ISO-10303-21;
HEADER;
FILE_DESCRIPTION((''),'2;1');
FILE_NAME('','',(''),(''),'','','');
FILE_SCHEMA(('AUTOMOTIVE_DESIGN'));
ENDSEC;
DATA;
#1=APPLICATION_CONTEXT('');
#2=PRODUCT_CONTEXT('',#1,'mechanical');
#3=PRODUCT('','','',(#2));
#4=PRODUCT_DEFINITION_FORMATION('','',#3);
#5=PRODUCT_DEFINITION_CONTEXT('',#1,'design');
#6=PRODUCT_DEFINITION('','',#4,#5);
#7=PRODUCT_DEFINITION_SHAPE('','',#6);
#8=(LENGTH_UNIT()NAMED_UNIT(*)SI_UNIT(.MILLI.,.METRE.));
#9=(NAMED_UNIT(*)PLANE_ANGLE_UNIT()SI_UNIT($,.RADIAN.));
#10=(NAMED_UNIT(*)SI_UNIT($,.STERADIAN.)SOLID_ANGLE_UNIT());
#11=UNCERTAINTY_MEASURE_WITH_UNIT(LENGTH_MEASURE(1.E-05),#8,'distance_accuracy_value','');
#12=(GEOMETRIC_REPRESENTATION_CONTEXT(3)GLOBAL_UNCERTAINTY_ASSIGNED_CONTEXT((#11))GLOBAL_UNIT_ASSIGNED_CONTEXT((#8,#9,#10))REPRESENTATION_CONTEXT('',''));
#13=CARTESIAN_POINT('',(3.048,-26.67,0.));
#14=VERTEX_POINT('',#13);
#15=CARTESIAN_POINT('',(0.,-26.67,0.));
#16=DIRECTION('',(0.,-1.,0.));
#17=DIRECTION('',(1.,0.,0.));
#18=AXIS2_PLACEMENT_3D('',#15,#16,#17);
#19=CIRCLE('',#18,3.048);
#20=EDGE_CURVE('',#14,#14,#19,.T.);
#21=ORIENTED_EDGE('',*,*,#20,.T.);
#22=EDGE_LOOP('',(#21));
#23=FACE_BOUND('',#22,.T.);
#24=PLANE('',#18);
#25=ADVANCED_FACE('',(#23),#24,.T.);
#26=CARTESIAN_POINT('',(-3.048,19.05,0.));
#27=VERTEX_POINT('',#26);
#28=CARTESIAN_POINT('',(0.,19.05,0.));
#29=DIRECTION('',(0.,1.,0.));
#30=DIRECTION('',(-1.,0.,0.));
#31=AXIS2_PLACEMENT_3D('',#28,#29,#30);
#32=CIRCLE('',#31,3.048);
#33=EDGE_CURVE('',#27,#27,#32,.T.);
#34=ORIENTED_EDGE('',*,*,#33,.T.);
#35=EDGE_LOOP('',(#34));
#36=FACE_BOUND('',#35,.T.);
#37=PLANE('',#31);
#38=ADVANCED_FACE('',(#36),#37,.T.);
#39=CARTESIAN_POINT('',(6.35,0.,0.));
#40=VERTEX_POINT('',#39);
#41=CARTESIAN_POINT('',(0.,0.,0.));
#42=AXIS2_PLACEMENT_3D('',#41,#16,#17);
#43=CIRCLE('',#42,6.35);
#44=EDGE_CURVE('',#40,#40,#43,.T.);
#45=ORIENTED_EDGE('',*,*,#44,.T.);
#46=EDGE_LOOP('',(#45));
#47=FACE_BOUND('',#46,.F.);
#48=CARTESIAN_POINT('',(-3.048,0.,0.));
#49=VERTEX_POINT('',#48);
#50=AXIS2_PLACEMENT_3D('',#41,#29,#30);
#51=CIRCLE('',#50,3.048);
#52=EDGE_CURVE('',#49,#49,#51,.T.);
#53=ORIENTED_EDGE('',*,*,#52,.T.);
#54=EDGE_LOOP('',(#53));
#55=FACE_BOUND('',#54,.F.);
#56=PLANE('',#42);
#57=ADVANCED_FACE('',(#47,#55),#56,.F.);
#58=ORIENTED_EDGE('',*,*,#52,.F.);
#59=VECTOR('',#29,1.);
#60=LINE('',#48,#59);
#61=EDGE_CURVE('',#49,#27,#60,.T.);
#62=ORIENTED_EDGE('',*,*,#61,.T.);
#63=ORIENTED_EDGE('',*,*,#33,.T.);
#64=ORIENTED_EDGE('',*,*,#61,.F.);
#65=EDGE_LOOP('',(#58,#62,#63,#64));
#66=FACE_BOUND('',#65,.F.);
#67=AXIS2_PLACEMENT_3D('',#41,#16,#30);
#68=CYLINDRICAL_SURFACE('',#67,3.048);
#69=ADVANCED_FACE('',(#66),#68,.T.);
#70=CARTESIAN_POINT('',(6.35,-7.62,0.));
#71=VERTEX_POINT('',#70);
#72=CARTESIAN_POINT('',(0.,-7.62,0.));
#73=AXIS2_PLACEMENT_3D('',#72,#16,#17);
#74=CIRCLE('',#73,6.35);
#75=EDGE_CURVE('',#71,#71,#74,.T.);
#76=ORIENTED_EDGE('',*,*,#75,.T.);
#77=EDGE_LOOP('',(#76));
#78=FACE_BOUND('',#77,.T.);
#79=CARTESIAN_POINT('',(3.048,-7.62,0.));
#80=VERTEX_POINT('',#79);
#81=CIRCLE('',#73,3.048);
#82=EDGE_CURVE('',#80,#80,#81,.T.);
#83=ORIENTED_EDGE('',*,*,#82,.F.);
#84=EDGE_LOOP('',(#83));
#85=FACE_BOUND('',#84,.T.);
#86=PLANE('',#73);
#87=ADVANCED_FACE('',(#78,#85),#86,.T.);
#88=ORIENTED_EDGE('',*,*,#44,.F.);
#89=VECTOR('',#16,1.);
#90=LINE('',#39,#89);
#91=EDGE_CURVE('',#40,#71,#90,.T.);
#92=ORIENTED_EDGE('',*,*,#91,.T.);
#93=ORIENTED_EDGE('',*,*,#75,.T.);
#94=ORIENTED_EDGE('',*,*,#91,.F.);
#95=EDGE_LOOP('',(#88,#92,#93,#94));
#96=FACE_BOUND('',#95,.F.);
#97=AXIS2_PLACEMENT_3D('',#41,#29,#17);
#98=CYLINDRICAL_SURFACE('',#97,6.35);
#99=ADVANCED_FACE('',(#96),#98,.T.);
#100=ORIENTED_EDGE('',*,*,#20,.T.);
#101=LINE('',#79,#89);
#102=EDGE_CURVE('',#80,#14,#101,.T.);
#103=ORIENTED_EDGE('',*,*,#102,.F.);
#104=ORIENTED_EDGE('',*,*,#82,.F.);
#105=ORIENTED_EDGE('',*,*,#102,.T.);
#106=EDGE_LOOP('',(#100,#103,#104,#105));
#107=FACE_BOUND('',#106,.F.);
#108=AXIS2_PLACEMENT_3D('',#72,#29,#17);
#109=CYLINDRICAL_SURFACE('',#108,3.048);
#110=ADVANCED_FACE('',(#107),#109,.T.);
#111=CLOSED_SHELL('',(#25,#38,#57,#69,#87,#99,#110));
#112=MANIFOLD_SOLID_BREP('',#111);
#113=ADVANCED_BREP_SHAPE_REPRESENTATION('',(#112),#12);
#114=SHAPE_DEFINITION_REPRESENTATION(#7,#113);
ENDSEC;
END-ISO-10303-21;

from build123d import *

# Parameters (mm, degrees)
F0_R     = 6.35
F1_DEPTH = 7.62
F2_R     = 3.048
F3_DEPTH = 19.05
F4_R     = 3.048
F5_DEPTH = 19.05


with BuildPart() as f1:
    # F0 (on Front) → F1 (new body)
    with BuildSketch(Plane.XZ):
        Circle(F0_R)
    extrude(amount=F1_DEPTH)

    # F2 (on face) → F3 (join)
    with BuildSketch(Plane(origin=(0, 0, 0), x_dir=(-1, 0, 0), z_dir=(0, 1, 0))):
        Circle(F2_R)
    extrude(amount=F3_DEPTH)

    # F4 (on face) → F5 (join)
    with BuildSketch(Plane.XZ.offset(7.62)):
        Circle(F4_R)
    extrude(amount=F5_DEPTH)


solid = f1.part
